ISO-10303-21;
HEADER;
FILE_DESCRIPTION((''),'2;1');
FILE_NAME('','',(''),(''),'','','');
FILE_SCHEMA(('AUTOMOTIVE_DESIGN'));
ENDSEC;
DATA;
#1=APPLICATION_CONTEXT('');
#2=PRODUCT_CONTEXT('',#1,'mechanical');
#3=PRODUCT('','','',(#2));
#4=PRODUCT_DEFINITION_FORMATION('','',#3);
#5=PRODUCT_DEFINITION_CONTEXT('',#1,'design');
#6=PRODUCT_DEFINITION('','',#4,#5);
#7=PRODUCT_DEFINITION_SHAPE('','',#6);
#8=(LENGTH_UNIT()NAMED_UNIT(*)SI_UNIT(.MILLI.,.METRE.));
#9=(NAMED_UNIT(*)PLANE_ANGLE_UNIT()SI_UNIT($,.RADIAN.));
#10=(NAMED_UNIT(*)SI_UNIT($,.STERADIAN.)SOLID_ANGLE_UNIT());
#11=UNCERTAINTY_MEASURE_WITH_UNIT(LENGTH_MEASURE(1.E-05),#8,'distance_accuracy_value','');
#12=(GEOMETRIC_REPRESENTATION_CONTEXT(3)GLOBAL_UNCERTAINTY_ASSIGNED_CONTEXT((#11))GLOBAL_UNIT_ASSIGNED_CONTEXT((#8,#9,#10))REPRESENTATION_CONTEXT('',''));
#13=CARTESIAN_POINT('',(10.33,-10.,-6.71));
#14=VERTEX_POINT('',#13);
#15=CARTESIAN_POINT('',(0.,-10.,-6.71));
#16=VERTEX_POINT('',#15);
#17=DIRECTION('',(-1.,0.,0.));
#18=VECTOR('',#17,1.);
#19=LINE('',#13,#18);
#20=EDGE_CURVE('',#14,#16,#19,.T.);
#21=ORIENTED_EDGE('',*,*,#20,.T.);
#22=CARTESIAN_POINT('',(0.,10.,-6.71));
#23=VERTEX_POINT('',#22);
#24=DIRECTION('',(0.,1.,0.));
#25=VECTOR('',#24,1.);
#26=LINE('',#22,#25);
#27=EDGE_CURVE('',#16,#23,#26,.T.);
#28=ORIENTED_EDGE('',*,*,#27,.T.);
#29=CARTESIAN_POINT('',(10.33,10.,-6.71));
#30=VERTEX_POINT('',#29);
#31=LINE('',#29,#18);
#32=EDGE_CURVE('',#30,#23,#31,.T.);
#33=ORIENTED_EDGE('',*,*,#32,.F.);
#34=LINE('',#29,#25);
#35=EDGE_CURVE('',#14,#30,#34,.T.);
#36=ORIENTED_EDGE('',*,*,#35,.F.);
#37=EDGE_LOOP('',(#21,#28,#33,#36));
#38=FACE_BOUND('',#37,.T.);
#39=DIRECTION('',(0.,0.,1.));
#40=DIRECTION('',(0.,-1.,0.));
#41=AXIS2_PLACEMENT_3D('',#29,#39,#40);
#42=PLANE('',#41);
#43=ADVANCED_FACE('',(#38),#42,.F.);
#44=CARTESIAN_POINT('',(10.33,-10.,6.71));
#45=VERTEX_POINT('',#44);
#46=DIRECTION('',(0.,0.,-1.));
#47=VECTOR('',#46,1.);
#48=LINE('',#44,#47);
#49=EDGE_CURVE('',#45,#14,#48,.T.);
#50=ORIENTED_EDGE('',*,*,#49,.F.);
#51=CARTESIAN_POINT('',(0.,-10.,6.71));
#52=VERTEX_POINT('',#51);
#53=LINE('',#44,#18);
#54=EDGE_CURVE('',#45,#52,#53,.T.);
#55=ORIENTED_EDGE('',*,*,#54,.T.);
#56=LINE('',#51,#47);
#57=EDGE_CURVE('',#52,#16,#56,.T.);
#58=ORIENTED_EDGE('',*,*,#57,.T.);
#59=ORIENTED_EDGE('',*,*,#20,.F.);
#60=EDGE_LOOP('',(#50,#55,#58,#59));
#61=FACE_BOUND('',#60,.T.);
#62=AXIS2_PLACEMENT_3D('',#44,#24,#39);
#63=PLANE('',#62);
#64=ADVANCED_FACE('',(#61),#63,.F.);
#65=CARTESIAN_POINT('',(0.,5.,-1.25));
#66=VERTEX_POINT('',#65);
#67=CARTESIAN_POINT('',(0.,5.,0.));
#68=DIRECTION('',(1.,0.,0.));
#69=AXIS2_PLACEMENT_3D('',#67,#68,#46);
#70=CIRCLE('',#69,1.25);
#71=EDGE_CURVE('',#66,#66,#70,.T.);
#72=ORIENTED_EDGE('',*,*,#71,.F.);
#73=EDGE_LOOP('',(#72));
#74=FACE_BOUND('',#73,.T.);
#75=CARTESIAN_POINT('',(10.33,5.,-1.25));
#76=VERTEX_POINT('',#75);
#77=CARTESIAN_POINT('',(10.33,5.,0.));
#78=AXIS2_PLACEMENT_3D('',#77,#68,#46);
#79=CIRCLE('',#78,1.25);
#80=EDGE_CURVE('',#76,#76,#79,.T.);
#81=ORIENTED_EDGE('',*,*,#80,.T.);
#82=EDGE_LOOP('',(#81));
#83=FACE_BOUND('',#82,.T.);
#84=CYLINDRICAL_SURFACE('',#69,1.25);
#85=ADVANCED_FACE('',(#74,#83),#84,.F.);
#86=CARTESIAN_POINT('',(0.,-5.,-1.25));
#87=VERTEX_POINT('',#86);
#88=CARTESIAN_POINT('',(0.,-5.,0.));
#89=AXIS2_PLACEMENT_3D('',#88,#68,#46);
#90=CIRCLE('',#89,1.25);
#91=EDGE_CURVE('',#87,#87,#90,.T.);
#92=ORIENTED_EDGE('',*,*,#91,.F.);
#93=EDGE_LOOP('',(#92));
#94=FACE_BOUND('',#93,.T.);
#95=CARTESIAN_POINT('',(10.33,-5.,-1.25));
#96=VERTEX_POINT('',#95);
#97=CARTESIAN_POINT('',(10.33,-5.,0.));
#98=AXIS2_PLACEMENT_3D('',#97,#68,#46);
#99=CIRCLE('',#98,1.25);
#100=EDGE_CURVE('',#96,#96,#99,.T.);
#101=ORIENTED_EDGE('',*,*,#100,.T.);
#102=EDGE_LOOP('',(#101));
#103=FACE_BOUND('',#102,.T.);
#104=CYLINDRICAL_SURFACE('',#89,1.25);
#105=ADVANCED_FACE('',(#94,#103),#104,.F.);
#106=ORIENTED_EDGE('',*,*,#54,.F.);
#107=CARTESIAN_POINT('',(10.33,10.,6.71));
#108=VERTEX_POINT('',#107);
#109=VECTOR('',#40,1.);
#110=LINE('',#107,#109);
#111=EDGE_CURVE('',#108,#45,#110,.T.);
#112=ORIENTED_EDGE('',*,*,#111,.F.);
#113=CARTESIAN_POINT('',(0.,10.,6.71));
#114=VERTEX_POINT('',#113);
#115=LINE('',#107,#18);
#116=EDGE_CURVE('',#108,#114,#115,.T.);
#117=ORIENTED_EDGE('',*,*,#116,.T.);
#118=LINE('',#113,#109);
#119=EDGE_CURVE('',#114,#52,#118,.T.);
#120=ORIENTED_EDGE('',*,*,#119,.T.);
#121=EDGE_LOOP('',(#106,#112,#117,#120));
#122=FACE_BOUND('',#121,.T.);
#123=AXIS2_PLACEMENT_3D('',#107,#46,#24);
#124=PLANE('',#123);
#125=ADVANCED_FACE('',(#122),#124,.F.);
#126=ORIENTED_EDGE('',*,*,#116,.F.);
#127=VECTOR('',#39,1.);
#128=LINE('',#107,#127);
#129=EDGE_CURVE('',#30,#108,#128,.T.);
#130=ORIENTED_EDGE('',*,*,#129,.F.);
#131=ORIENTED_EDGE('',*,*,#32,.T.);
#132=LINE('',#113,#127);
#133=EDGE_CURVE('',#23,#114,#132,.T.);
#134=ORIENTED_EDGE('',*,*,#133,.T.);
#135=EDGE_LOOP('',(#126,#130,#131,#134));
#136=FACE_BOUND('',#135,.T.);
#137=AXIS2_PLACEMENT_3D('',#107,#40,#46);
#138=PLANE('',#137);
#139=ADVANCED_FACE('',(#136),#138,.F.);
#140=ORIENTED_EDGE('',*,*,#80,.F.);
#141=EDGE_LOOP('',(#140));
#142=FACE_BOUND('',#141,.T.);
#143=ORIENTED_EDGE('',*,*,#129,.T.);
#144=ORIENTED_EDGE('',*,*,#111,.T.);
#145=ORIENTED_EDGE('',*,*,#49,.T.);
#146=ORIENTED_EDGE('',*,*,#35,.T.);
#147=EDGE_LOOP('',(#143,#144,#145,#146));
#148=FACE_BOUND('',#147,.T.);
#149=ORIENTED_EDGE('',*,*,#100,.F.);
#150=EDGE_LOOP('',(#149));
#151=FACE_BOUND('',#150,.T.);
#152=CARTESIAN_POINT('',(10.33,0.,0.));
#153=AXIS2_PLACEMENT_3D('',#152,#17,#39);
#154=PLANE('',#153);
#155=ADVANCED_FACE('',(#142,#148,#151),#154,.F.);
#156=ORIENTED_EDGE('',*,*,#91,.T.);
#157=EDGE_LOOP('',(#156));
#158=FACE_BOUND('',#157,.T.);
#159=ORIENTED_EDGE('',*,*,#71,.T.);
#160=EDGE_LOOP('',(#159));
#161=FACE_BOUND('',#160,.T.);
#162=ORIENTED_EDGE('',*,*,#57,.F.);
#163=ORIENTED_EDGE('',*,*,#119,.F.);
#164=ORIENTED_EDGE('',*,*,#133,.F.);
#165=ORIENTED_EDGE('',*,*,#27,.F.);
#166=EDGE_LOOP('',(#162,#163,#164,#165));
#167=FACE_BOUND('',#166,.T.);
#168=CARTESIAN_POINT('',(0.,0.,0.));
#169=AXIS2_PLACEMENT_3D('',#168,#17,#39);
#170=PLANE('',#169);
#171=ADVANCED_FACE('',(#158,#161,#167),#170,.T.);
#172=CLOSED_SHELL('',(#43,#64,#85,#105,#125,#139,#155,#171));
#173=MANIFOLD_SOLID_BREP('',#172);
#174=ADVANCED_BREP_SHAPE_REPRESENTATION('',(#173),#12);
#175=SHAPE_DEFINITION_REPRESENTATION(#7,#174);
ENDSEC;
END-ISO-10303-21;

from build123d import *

# Parameters (mm, degrees)
SKETCH1_W           = 20
SKETCH1_H           = 13.42
BOSS_EXTRUDE1_DEPTH = 10.33
SKETCH2_R           = 1.25
CUT_EXTRUDE1_DEPTH  = 10.33


with BuildPart() as part:
    # Sketch1 → Boss-Extrude1 (new body)
    with BuildSketch(Plane.YZ):
        Rectangle(SKETCH1_W, SKETCH1_H)
    extrude(amount=BOSS_EXTRUDE1_DEPTH)

    # Sketch2 → Cut-Extrude1 (cut)
    with BuildSketch(Plane(origin=(10.33, 0, 0), x_dir=(0, 0, -1), z_dir=(1, 0, 0))):
        with Locations((0, 5)):
            Circle(SKETCH2_R)
        with Locations((0, -5)):
            Circle(SKETCH2_R)
    extrude(amount=-CUT_EXTRUDE1_DEPTH, mode=Mode.SUBTRACT)


solid = part.part
